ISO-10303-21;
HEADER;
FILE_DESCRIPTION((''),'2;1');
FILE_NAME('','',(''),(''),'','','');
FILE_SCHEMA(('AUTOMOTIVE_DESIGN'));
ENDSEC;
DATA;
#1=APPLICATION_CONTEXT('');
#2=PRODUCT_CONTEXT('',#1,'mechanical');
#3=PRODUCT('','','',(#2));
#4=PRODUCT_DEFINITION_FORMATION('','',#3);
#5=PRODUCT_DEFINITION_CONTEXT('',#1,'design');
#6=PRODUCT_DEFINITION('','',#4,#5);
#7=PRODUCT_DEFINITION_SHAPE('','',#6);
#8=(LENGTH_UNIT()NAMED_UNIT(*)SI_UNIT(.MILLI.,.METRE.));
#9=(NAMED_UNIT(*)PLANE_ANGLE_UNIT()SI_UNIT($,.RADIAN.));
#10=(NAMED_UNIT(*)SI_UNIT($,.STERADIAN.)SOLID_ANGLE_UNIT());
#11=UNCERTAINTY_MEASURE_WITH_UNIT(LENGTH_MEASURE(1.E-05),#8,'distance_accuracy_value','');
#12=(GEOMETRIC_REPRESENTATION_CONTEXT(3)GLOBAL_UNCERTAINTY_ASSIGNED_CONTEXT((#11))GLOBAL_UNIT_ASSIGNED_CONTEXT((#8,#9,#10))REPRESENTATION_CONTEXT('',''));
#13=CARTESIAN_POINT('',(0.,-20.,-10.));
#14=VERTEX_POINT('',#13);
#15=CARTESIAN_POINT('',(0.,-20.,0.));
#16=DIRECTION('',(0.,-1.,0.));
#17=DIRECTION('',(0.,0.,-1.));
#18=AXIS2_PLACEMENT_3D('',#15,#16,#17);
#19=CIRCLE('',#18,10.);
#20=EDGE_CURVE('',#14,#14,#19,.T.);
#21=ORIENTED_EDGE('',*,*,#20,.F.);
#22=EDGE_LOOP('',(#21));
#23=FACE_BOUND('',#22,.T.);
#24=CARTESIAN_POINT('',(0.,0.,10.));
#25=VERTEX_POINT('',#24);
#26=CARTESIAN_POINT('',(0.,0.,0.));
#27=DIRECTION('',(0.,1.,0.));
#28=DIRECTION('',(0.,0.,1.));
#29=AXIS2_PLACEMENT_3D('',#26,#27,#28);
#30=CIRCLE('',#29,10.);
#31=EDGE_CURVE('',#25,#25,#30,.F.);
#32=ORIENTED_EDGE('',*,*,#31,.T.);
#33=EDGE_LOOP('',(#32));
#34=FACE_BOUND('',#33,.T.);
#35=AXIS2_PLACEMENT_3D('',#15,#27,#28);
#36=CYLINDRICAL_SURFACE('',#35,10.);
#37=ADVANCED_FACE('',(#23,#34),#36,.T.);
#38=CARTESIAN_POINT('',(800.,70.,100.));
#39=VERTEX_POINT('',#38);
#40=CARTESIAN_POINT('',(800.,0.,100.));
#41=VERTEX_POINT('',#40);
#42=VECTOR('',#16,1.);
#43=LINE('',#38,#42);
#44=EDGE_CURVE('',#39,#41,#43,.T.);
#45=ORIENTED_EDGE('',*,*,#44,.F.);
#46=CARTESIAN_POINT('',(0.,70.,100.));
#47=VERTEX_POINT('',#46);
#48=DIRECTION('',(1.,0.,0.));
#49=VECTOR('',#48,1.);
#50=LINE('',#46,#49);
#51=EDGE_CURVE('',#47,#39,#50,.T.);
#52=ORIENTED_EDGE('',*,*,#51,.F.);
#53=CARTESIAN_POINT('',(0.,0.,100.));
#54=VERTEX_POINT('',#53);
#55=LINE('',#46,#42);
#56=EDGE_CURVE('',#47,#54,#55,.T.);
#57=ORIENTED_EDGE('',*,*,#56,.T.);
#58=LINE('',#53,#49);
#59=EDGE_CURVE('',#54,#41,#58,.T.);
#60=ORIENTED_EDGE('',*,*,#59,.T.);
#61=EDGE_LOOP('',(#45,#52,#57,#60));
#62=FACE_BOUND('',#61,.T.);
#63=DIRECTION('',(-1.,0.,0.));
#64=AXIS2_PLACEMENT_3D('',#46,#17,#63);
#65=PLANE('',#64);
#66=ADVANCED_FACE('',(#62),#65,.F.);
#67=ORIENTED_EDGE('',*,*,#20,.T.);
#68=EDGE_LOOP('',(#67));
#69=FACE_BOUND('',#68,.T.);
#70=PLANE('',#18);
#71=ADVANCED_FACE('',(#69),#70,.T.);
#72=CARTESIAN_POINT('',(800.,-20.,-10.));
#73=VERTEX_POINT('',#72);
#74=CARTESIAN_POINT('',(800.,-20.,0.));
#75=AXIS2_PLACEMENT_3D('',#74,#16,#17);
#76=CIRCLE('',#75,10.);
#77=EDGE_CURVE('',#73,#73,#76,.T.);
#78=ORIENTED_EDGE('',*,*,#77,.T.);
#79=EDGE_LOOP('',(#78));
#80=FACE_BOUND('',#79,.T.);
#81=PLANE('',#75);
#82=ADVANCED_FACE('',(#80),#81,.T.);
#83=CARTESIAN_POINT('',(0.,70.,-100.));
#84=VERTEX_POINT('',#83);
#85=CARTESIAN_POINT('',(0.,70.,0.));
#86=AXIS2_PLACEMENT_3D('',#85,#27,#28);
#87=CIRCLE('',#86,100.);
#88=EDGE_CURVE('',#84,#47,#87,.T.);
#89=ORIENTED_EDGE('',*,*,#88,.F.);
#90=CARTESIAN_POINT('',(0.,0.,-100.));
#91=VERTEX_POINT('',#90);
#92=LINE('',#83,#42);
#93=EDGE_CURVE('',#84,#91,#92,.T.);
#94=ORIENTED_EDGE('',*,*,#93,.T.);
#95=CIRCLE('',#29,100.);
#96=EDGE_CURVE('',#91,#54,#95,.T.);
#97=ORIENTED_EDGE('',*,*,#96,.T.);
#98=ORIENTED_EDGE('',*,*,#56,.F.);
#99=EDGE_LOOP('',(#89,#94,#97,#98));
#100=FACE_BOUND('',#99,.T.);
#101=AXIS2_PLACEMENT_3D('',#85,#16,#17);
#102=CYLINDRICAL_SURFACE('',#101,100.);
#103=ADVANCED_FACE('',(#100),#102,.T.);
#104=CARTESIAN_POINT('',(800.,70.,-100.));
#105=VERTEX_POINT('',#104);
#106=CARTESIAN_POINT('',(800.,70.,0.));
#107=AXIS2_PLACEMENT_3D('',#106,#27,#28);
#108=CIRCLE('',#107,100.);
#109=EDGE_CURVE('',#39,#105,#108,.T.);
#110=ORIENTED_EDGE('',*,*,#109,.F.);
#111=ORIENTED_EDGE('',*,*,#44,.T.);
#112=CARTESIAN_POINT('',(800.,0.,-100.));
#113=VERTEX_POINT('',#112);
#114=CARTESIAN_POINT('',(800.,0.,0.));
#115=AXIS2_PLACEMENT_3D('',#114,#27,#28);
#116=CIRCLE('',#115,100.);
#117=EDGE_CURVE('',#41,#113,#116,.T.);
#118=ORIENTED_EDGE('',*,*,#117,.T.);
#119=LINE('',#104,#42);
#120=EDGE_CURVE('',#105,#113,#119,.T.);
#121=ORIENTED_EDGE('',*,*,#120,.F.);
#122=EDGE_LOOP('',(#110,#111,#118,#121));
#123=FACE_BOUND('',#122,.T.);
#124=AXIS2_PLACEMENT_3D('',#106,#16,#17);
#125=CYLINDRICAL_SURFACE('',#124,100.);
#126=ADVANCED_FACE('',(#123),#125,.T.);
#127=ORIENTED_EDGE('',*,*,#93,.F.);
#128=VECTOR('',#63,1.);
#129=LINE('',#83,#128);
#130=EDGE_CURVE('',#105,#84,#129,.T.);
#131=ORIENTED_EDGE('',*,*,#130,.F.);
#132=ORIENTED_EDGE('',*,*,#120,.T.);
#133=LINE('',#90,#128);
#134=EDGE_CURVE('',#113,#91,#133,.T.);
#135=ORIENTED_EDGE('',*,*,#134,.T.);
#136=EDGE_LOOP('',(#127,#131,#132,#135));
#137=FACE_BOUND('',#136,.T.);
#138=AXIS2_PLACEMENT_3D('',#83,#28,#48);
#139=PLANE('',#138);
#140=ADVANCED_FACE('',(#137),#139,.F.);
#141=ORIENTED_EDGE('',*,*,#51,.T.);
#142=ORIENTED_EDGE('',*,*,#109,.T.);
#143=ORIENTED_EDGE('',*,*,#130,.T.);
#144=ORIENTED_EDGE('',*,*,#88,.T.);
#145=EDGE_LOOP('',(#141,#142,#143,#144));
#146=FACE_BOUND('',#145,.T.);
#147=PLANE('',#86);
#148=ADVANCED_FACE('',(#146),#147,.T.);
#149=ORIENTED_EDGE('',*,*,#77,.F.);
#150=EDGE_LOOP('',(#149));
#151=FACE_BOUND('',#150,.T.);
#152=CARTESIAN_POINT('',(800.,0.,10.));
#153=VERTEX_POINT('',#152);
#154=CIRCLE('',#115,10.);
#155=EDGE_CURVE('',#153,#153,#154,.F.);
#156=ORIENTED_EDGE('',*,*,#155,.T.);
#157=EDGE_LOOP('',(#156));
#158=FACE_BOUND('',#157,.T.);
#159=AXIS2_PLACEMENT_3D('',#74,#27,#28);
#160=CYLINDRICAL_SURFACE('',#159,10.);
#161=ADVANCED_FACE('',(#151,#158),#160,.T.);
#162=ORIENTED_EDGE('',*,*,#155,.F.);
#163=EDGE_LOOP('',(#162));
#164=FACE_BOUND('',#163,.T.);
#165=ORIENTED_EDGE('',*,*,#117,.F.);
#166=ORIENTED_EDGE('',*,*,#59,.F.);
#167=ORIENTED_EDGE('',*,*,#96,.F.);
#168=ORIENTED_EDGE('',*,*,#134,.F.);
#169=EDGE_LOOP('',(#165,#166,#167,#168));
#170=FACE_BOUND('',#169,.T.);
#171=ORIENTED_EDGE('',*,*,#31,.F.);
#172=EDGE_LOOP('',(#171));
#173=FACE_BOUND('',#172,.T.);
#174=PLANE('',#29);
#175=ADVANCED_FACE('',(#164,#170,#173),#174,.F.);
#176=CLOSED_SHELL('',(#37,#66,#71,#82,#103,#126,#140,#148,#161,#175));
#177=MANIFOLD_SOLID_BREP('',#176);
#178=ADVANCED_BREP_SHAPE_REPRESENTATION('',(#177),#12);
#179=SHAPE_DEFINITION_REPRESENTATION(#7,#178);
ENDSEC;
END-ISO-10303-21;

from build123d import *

# Parameters (mm, degrees)
BOSS_EXTRUDE1_DEPTH = 70
SKETCH3_R           = 10
BOSS_EXTRUDE2_DEPTH = 20
SKETCH4_R           = 10
BOSS_EXTRUDE3_DEPTH = 20


with BuildPart() as part:
    # Sketch2 → Boss-Extrude1 (new body)
    with BuildSketch(Plane(origin=(0, 0, 0), x_dir=(1, 0, 0), z_dir=(0, 1, 0))):
        with BuildLine():
            Line((0, 100), (800, 100))
            ThreePointArc((800, 100), (900, 0), (800, -100))
            Line((800, -100), (0, -100))
            ThreePointArc((0, -100), (-100, 0), (0, 100))
        make_face()
    extrude(amount=BOSS_EXTRUDE1_DEPTH)

    # Sketch3 → Boss-Extrude2 (add)
    with BuildSketch(Plane.XZ):
        Circle(SKETCH3_R)
    extrude(amount=BOSS_EXTRUDE2_DEPTH)

    # Sketch4 → Boss-Extrude3 (add)
    with BuildSketch(Plane.XZ):
        with Locations((800, 0)):
            Circle(SKETCH4_R)
    extrude(amount=BOSS_EXTRUDE3_DEPTH)


solid = part.part
